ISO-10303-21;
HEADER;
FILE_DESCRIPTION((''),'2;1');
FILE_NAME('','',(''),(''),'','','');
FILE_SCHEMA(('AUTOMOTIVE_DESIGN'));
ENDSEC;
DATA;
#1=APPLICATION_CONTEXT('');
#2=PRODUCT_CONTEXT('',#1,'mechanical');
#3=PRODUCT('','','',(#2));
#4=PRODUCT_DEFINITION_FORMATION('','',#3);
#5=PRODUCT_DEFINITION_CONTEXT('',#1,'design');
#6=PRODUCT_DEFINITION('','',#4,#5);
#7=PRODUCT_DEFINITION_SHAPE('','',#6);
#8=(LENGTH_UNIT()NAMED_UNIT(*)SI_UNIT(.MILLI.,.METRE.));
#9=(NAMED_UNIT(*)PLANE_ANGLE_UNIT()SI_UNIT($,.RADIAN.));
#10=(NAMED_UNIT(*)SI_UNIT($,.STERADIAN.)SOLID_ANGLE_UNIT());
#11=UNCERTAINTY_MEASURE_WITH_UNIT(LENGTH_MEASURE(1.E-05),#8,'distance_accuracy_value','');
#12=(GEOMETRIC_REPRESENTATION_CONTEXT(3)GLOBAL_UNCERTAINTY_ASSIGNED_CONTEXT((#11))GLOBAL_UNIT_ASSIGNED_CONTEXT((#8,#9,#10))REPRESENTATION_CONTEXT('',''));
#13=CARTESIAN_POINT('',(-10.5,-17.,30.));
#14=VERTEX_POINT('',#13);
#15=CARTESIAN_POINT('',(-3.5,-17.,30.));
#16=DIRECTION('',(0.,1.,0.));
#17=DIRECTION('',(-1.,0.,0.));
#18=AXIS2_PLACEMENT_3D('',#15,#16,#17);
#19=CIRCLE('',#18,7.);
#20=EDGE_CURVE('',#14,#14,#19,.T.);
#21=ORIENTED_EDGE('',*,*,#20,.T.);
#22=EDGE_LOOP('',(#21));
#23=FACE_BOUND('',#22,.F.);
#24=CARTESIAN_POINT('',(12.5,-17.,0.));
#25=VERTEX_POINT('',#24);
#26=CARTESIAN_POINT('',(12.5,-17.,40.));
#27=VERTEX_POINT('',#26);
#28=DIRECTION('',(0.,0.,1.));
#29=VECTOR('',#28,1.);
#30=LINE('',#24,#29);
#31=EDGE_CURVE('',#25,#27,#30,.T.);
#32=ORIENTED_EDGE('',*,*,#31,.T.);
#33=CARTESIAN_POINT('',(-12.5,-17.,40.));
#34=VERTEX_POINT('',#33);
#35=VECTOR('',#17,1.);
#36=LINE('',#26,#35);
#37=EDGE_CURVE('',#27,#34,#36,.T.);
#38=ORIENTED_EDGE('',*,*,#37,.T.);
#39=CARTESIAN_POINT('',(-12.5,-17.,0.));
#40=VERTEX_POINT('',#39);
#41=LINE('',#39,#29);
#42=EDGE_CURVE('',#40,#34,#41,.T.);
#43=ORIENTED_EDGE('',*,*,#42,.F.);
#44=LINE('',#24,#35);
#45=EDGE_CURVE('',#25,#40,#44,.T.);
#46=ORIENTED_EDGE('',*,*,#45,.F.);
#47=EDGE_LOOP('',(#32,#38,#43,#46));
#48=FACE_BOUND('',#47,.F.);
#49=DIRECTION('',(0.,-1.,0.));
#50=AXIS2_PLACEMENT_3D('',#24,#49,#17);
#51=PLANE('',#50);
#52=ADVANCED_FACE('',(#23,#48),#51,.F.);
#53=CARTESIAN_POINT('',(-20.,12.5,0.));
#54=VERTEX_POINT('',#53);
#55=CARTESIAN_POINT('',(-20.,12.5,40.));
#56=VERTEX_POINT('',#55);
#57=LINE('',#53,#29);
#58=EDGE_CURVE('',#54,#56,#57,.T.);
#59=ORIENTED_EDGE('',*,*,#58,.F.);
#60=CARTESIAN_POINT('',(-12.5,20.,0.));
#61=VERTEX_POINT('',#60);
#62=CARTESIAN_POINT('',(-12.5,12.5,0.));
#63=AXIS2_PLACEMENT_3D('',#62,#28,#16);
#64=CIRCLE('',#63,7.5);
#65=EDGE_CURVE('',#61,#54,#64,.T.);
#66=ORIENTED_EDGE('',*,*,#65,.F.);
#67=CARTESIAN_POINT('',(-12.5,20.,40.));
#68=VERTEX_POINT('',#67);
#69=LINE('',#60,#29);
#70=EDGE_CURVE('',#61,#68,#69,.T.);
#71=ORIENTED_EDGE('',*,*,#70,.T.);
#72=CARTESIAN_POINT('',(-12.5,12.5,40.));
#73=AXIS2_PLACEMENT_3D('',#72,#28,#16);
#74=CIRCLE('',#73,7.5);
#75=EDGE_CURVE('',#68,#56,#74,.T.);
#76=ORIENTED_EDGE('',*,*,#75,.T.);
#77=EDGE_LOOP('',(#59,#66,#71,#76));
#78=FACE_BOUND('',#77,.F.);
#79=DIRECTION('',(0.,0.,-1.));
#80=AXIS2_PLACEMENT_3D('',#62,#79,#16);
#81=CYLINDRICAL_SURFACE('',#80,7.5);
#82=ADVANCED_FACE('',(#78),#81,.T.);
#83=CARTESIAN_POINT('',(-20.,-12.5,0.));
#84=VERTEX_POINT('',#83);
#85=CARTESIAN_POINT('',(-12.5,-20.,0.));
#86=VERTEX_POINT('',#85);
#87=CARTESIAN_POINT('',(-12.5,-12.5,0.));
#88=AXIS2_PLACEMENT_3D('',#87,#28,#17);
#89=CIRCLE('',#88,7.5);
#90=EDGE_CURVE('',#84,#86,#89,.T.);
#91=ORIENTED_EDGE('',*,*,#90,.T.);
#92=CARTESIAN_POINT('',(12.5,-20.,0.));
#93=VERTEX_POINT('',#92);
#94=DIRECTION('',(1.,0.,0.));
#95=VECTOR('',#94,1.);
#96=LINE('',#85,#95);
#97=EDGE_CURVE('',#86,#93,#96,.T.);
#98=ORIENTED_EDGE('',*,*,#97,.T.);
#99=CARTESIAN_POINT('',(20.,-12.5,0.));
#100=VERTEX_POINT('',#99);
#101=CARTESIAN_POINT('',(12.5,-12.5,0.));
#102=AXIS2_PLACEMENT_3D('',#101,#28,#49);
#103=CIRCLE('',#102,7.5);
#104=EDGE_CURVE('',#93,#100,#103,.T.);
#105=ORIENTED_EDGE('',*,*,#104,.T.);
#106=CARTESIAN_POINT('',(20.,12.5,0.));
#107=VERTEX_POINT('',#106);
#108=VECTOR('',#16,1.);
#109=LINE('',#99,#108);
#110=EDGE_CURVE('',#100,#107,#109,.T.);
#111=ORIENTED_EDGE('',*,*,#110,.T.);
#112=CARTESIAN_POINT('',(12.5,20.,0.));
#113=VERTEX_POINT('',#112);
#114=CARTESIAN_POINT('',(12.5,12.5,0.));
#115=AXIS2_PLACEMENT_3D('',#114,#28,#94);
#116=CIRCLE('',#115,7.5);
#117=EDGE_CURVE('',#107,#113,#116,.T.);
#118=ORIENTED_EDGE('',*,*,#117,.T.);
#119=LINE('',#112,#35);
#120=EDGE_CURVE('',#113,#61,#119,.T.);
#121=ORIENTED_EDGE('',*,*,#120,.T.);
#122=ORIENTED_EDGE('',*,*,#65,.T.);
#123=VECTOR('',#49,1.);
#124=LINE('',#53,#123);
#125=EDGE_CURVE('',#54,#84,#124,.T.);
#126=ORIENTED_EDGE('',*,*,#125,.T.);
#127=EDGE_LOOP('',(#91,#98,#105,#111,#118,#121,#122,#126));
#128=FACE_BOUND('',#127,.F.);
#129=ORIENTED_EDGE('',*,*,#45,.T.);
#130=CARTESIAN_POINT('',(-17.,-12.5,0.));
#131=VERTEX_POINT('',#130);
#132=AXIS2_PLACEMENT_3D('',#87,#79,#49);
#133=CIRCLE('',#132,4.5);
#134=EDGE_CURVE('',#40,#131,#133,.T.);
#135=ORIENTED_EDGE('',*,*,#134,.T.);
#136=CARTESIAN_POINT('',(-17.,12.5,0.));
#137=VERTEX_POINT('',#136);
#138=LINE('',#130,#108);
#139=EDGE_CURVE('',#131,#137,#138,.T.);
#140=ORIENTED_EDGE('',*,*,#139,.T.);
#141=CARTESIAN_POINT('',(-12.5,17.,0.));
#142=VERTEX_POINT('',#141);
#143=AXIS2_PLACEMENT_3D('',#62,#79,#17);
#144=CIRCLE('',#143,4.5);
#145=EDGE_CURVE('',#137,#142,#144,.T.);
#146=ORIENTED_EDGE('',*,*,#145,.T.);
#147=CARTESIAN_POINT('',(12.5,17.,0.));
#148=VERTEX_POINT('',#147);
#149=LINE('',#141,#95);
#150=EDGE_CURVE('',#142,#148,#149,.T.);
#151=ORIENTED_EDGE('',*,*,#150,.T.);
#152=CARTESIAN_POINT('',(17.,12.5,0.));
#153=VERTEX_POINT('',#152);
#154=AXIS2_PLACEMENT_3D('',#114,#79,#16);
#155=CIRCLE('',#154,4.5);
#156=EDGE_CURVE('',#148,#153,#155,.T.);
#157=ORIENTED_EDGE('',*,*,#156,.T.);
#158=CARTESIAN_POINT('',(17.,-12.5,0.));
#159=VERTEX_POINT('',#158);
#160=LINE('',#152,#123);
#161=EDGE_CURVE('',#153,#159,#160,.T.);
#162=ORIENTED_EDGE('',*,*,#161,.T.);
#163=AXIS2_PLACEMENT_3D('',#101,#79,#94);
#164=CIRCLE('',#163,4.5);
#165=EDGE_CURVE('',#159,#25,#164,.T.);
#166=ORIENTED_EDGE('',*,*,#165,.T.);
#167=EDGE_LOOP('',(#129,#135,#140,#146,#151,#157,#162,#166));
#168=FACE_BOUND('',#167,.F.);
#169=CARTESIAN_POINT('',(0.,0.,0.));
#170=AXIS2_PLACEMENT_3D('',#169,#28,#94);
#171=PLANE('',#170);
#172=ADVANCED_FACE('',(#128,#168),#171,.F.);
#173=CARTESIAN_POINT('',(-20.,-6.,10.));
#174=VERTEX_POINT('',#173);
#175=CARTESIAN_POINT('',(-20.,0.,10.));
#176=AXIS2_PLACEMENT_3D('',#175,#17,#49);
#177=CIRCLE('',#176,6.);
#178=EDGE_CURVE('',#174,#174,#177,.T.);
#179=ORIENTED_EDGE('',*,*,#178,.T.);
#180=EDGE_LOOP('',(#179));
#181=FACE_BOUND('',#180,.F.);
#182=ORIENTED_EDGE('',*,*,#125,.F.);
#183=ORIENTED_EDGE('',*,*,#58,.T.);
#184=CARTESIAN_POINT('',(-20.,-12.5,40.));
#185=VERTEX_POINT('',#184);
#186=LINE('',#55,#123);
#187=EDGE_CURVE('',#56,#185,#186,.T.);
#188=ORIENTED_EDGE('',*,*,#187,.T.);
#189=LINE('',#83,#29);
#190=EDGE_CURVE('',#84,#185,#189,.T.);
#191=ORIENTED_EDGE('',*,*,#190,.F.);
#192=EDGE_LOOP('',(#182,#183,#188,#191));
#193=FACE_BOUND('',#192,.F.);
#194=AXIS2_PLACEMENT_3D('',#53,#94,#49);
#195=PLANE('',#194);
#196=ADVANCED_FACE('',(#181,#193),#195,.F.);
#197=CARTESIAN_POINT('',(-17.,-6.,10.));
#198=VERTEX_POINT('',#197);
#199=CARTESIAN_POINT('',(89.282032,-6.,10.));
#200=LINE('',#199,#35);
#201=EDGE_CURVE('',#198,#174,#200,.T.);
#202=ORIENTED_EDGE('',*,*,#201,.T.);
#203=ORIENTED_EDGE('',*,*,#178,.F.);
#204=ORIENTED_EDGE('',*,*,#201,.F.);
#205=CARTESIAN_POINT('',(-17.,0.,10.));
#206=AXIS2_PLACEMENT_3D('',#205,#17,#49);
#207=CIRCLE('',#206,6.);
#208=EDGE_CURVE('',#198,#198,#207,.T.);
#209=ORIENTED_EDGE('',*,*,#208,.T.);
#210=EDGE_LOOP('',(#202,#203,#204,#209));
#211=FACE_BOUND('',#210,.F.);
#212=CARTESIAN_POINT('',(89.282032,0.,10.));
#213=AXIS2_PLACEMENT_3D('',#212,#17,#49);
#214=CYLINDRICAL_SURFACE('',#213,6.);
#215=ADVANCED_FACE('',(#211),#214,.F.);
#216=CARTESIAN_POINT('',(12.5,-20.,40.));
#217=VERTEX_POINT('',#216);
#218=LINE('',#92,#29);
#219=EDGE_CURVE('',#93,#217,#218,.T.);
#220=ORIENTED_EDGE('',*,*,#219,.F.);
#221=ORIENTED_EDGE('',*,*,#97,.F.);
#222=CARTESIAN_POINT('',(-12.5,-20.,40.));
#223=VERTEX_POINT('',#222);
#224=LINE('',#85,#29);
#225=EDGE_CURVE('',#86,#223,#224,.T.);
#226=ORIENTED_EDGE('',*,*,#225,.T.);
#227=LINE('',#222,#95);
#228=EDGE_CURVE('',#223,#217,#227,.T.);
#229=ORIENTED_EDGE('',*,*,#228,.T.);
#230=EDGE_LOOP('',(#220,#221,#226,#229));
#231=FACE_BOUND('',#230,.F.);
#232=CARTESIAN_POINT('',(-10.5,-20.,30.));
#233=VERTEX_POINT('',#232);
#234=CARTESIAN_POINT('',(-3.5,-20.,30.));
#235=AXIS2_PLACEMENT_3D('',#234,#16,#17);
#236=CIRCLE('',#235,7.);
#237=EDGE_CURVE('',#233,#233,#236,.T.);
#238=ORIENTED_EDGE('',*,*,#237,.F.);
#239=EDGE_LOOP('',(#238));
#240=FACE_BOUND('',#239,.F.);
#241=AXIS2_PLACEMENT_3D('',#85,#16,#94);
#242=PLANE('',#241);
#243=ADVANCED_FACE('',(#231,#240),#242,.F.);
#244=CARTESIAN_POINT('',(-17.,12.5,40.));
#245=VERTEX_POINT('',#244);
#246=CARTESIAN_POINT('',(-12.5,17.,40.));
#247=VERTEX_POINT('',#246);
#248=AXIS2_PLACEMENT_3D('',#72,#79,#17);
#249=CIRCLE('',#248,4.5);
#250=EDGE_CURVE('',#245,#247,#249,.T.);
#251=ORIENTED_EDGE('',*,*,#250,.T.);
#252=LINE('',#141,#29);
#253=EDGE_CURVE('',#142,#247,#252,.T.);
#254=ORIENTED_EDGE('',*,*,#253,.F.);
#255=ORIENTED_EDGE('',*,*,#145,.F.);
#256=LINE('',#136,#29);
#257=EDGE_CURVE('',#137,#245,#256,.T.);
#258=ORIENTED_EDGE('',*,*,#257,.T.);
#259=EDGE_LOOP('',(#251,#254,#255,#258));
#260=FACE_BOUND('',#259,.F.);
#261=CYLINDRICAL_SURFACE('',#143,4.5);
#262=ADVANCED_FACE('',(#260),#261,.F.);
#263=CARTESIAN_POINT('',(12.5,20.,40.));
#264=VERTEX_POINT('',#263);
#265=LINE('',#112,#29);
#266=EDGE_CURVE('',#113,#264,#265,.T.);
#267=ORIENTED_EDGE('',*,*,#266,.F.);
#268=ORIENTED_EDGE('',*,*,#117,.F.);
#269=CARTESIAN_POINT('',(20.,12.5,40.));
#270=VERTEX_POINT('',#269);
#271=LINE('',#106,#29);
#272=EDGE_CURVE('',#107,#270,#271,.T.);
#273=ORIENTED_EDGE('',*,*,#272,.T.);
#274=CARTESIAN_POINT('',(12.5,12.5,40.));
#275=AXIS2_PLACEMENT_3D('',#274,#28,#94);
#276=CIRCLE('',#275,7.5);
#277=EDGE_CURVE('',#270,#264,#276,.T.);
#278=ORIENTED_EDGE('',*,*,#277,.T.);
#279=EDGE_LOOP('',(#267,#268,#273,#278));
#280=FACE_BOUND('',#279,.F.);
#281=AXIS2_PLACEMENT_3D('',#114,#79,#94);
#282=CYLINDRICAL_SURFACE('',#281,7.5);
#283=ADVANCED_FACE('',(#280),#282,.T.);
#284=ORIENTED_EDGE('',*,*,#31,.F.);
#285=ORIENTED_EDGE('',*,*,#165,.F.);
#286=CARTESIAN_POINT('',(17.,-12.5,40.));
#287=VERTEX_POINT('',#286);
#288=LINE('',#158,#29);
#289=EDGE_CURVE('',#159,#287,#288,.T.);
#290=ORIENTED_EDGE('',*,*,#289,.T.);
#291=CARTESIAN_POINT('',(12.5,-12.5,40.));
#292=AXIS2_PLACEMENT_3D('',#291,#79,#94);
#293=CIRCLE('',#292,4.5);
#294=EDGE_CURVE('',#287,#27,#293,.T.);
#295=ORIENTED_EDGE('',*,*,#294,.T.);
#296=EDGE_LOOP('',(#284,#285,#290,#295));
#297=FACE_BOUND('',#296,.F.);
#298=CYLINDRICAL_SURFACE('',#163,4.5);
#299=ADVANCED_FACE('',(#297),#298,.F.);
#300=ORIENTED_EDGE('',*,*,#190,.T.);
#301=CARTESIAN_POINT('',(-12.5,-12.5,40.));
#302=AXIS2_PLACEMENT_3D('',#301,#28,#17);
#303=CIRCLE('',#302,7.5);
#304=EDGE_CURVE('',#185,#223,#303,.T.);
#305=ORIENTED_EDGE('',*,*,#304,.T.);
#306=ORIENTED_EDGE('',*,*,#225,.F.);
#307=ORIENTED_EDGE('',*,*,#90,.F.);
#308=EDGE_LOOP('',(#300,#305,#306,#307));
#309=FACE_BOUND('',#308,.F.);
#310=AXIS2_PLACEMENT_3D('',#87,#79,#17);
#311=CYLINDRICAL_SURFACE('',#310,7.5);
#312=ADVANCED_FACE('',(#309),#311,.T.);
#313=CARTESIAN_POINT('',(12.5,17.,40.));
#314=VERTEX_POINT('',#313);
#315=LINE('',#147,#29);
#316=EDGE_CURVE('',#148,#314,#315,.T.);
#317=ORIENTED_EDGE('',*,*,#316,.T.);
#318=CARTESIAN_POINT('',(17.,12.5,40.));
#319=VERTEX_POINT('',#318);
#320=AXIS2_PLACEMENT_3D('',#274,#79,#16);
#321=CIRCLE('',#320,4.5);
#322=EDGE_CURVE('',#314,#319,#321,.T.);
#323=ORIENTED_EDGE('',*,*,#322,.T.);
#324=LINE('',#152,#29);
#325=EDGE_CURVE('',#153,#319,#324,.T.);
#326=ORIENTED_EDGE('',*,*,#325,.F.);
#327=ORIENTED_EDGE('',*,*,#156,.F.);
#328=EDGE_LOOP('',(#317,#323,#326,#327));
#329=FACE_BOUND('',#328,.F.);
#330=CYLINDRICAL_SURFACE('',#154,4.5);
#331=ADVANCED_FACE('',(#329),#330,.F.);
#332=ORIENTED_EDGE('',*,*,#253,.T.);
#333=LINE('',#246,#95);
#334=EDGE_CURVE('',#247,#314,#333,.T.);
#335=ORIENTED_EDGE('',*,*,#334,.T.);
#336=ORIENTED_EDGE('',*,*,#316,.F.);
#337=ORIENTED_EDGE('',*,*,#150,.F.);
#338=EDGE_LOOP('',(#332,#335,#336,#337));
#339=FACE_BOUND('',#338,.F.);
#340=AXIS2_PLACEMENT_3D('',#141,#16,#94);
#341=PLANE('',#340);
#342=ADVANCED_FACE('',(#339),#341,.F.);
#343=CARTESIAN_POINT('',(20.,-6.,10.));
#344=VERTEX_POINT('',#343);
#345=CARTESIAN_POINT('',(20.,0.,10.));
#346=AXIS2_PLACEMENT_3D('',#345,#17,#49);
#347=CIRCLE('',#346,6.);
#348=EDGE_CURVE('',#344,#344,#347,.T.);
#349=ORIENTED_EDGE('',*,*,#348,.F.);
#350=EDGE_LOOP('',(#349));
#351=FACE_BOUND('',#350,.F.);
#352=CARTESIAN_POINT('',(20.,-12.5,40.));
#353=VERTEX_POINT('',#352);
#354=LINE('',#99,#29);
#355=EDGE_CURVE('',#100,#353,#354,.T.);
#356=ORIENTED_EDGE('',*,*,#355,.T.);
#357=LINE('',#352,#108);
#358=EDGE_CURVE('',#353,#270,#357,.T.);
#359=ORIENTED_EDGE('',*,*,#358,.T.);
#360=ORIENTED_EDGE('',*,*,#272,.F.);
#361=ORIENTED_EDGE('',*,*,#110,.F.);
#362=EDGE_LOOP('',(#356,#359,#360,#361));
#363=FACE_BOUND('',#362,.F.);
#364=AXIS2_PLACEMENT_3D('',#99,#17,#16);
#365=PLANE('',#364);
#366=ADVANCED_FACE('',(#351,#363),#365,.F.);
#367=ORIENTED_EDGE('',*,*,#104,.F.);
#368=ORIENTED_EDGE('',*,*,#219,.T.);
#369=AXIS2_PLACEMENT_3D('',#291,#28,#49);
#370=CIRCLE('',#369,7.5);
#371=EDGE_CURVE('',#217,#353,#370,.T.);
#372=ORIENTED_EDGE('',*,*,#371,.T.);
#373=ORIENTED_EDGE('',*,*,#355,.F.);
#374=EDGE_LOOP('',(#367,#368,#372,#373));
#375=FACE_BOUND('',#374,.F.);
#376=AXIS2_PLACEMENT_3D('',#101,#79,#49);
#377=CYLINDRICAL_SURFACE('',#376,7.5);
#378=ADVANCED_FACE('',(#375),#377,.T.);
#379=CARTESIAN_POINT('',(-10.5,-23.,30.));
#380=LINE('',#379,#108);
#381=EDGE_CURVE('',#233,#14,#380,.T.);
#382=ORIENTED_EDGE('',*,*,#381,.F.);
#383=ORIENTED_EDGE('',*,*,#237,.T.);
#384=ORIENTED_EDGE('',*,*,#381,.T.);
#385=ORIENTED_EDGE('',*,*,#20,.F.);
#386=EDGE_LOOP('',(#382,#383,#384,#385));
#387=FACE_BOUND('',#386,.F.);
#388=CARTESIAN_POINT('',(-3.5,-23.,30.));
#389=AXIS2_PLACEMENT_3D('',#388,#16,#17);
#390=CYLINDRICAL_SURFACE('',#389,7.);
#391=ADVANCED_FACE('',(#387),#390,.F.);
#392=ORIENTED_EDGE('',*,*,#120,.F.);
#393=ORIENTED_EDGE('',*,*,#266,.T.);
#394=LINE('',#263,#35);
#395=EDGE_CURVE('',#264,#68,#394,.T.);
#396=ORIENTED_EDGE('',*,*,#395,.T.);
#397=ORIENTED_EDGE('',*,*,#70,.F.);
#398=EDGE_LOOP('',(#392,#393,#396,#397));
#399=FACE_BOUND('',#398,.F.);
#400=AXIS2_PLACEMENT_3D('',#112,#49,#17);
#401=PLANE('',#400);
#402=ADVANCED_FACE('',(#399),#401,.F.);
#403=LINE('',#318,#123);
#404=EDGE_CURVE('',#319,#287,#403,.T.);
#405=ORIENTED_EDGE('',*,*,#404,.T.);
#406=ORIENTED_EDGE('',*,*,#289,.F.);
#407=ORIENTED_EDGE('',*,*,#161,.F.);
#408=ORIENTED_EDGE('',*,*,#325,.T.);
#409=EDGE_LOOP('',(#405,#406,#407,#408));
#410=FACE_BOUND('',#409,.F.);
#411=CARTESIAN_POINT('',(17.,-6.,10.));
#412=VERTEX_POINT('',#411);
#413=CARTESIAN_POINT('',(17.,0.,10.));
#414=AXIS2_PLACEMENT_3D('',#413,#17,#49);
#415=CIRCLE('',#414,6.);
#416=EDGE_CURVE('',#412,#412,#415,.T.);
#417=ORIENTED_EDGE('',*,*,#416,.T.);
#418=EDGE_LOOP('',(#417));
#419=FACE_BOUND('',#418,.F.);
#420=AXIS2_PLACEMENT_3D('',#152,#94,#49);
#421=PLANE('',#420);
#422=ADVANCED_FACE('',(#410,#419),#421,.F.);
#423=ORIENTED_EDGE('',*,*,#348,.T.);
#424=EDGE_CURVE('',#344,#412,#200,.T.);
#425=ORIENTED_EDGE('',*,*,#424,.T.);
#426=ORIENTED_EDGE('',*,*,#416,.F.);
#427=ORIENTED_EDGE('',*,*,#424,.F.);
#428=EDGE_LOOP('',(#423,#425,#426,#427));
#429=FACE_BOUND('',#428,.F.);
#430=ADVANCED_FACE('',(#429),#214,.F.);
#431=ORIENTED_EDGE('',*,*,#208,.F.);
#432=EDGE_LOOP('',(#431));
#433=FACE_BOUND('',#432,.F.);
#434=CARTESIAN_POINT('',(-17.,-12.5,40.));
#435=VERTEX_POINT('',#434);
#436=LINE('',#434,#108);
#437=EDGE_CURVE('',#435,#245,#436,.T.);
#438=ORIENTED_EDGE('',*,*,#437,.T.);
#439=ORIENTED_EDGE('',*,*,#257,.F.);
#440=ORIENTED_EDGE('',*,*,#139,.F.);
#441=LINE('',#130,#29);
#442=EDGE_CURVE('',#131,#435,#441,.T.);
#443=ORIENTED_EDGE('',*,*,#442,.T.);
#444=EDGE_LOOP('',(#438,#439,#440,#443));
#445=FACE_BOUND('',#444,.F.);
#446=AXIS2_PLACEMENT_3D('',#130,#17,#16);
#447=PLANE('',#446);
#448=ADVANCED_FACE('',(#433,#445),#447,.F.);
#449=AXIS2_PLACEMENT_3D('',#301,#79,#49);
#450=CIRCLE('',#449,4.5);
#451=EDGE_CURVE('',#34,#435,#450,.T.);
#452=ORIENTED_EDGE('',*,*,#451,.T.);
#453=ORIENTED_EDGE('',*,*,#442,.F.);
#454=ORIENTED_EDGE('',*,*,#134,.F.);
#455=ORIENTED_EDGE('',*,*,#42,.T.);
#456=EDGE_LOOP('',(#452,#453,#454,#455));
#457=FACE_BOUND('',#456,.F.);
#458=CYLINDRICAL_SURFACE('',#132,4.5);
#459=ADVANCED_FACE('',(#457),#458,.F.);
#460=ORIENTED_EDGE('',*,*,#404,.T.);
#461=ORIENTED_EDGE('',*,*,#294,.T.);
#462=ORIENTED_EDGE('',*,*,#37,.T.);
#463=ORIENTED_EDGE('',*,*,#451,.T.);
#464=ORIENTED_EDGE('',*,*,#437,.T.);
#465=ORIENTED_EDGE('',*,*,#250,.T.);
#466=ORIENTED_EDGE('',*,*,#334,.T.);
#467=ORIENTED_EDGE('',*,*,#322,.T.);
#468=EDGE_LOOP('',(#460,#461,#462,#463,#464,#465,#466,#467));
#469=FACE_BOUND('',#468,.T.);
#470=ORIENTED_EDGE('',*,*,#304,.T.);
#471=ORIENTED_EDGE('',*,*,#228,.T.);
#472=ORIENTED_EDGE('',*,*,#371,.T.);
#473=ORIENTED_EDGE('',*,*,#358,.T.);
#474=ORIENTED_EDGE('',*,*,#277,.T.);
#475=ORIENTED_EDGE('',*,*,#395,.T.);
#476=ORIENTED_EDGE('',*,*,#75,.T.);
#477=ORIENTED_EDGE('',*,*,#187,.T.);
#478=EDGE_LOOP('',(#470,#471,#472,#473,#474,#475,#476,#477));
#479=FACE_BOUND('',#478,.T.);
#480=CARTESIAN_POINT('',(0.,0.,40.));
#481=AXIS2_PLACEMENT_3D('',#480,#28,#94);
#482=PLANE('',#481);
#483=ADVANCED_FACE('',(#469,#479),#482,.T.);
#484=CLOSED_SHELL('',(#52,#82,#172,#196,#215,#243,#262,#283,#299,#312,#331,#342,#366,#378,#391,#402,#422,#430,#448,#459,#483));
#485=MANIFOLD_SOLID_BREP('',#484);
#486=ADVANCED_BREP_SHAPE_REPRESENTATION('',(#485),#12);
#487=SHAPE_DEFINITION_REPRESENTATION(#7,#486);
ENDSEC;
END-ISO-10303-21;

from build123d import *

# Parameters (mm, degrees)
F1_DEPTH = 40
F3_D     = 14
F3_DEPTH = 3
F3_TIP   = 4.2060243332
F5_D     = 12


with BuildPart() as f1:
    # F0 (on Top) → F1 (new body)
    with BuildSketch(Plane.XY):
        with BuildLine():
            Line((-12.5, -20), (12.5, -20))
            ThreePointArc((12.5, -20), (17.8033008589, -17.8033008589), (20, -12.5))
            Line((20, -12.5), (20, 12.5))
            ThreePointArc((20, 12.5), (17.8033008589, 17.8033008589), (12.5, 20))
            Line((12.5, 20), (-12.5, 20))
            ThreePointArc((-12.5, 20), (-17.8033008589, 17.8033008589), (-20, 12.5))
            Line((-20, 12.5), (-20, -12.5))
            ThreePointArc((-20, -12.5), (-17.8033008589, -17.8033008589), (-12.5, -20))
        make_face()
        with BuildLine():
            ThreePointArc((-12.5, -17), (-15.6819805153, -15.6819805153), (-17, -12.5))
            Line((-17, -12.5), (-17, 12.5))
            ThreePointArc((-17, 12.5), (-15.6819805153, 15.6819805153), (-12.5, 17))
            Line((-12.5, 17), (12.5, 17))
            ThreePointArc((12.5, 17), (15.6819805153, 15.6819805153), (17, 12.5))
            Line((17, 12.5), (17, -12.5))
            ThreePointArc((17, -12.5), (15.6819805153, -15.6819805153), (12.5, -17))
            Line((12.5, -17), (-12.5, -17))
        make_face(mode=Mode.SUBTRACT)
    extrude(amount=F1_DEPTH)

    # F3
    with Locations(Plane.XZ.offset(20)):
        with Locations((-3.5, 30)):
            Hole(F3_D / 2, depth=F3_DEPTH)
            with Locations((0, 0, -(F3_DEPTH + F3_TIP / 2))):  # 118° drill point
                Cone(0, F3_D / 2, F3_TIP, mode=Mode.SUBTRACT)

    # F5 (through all)
    with Locations(Plane.YZ.offset(20)):
        with Locations((0, 10)):
            Hole(F5_D / 2)


solid = f1.part
